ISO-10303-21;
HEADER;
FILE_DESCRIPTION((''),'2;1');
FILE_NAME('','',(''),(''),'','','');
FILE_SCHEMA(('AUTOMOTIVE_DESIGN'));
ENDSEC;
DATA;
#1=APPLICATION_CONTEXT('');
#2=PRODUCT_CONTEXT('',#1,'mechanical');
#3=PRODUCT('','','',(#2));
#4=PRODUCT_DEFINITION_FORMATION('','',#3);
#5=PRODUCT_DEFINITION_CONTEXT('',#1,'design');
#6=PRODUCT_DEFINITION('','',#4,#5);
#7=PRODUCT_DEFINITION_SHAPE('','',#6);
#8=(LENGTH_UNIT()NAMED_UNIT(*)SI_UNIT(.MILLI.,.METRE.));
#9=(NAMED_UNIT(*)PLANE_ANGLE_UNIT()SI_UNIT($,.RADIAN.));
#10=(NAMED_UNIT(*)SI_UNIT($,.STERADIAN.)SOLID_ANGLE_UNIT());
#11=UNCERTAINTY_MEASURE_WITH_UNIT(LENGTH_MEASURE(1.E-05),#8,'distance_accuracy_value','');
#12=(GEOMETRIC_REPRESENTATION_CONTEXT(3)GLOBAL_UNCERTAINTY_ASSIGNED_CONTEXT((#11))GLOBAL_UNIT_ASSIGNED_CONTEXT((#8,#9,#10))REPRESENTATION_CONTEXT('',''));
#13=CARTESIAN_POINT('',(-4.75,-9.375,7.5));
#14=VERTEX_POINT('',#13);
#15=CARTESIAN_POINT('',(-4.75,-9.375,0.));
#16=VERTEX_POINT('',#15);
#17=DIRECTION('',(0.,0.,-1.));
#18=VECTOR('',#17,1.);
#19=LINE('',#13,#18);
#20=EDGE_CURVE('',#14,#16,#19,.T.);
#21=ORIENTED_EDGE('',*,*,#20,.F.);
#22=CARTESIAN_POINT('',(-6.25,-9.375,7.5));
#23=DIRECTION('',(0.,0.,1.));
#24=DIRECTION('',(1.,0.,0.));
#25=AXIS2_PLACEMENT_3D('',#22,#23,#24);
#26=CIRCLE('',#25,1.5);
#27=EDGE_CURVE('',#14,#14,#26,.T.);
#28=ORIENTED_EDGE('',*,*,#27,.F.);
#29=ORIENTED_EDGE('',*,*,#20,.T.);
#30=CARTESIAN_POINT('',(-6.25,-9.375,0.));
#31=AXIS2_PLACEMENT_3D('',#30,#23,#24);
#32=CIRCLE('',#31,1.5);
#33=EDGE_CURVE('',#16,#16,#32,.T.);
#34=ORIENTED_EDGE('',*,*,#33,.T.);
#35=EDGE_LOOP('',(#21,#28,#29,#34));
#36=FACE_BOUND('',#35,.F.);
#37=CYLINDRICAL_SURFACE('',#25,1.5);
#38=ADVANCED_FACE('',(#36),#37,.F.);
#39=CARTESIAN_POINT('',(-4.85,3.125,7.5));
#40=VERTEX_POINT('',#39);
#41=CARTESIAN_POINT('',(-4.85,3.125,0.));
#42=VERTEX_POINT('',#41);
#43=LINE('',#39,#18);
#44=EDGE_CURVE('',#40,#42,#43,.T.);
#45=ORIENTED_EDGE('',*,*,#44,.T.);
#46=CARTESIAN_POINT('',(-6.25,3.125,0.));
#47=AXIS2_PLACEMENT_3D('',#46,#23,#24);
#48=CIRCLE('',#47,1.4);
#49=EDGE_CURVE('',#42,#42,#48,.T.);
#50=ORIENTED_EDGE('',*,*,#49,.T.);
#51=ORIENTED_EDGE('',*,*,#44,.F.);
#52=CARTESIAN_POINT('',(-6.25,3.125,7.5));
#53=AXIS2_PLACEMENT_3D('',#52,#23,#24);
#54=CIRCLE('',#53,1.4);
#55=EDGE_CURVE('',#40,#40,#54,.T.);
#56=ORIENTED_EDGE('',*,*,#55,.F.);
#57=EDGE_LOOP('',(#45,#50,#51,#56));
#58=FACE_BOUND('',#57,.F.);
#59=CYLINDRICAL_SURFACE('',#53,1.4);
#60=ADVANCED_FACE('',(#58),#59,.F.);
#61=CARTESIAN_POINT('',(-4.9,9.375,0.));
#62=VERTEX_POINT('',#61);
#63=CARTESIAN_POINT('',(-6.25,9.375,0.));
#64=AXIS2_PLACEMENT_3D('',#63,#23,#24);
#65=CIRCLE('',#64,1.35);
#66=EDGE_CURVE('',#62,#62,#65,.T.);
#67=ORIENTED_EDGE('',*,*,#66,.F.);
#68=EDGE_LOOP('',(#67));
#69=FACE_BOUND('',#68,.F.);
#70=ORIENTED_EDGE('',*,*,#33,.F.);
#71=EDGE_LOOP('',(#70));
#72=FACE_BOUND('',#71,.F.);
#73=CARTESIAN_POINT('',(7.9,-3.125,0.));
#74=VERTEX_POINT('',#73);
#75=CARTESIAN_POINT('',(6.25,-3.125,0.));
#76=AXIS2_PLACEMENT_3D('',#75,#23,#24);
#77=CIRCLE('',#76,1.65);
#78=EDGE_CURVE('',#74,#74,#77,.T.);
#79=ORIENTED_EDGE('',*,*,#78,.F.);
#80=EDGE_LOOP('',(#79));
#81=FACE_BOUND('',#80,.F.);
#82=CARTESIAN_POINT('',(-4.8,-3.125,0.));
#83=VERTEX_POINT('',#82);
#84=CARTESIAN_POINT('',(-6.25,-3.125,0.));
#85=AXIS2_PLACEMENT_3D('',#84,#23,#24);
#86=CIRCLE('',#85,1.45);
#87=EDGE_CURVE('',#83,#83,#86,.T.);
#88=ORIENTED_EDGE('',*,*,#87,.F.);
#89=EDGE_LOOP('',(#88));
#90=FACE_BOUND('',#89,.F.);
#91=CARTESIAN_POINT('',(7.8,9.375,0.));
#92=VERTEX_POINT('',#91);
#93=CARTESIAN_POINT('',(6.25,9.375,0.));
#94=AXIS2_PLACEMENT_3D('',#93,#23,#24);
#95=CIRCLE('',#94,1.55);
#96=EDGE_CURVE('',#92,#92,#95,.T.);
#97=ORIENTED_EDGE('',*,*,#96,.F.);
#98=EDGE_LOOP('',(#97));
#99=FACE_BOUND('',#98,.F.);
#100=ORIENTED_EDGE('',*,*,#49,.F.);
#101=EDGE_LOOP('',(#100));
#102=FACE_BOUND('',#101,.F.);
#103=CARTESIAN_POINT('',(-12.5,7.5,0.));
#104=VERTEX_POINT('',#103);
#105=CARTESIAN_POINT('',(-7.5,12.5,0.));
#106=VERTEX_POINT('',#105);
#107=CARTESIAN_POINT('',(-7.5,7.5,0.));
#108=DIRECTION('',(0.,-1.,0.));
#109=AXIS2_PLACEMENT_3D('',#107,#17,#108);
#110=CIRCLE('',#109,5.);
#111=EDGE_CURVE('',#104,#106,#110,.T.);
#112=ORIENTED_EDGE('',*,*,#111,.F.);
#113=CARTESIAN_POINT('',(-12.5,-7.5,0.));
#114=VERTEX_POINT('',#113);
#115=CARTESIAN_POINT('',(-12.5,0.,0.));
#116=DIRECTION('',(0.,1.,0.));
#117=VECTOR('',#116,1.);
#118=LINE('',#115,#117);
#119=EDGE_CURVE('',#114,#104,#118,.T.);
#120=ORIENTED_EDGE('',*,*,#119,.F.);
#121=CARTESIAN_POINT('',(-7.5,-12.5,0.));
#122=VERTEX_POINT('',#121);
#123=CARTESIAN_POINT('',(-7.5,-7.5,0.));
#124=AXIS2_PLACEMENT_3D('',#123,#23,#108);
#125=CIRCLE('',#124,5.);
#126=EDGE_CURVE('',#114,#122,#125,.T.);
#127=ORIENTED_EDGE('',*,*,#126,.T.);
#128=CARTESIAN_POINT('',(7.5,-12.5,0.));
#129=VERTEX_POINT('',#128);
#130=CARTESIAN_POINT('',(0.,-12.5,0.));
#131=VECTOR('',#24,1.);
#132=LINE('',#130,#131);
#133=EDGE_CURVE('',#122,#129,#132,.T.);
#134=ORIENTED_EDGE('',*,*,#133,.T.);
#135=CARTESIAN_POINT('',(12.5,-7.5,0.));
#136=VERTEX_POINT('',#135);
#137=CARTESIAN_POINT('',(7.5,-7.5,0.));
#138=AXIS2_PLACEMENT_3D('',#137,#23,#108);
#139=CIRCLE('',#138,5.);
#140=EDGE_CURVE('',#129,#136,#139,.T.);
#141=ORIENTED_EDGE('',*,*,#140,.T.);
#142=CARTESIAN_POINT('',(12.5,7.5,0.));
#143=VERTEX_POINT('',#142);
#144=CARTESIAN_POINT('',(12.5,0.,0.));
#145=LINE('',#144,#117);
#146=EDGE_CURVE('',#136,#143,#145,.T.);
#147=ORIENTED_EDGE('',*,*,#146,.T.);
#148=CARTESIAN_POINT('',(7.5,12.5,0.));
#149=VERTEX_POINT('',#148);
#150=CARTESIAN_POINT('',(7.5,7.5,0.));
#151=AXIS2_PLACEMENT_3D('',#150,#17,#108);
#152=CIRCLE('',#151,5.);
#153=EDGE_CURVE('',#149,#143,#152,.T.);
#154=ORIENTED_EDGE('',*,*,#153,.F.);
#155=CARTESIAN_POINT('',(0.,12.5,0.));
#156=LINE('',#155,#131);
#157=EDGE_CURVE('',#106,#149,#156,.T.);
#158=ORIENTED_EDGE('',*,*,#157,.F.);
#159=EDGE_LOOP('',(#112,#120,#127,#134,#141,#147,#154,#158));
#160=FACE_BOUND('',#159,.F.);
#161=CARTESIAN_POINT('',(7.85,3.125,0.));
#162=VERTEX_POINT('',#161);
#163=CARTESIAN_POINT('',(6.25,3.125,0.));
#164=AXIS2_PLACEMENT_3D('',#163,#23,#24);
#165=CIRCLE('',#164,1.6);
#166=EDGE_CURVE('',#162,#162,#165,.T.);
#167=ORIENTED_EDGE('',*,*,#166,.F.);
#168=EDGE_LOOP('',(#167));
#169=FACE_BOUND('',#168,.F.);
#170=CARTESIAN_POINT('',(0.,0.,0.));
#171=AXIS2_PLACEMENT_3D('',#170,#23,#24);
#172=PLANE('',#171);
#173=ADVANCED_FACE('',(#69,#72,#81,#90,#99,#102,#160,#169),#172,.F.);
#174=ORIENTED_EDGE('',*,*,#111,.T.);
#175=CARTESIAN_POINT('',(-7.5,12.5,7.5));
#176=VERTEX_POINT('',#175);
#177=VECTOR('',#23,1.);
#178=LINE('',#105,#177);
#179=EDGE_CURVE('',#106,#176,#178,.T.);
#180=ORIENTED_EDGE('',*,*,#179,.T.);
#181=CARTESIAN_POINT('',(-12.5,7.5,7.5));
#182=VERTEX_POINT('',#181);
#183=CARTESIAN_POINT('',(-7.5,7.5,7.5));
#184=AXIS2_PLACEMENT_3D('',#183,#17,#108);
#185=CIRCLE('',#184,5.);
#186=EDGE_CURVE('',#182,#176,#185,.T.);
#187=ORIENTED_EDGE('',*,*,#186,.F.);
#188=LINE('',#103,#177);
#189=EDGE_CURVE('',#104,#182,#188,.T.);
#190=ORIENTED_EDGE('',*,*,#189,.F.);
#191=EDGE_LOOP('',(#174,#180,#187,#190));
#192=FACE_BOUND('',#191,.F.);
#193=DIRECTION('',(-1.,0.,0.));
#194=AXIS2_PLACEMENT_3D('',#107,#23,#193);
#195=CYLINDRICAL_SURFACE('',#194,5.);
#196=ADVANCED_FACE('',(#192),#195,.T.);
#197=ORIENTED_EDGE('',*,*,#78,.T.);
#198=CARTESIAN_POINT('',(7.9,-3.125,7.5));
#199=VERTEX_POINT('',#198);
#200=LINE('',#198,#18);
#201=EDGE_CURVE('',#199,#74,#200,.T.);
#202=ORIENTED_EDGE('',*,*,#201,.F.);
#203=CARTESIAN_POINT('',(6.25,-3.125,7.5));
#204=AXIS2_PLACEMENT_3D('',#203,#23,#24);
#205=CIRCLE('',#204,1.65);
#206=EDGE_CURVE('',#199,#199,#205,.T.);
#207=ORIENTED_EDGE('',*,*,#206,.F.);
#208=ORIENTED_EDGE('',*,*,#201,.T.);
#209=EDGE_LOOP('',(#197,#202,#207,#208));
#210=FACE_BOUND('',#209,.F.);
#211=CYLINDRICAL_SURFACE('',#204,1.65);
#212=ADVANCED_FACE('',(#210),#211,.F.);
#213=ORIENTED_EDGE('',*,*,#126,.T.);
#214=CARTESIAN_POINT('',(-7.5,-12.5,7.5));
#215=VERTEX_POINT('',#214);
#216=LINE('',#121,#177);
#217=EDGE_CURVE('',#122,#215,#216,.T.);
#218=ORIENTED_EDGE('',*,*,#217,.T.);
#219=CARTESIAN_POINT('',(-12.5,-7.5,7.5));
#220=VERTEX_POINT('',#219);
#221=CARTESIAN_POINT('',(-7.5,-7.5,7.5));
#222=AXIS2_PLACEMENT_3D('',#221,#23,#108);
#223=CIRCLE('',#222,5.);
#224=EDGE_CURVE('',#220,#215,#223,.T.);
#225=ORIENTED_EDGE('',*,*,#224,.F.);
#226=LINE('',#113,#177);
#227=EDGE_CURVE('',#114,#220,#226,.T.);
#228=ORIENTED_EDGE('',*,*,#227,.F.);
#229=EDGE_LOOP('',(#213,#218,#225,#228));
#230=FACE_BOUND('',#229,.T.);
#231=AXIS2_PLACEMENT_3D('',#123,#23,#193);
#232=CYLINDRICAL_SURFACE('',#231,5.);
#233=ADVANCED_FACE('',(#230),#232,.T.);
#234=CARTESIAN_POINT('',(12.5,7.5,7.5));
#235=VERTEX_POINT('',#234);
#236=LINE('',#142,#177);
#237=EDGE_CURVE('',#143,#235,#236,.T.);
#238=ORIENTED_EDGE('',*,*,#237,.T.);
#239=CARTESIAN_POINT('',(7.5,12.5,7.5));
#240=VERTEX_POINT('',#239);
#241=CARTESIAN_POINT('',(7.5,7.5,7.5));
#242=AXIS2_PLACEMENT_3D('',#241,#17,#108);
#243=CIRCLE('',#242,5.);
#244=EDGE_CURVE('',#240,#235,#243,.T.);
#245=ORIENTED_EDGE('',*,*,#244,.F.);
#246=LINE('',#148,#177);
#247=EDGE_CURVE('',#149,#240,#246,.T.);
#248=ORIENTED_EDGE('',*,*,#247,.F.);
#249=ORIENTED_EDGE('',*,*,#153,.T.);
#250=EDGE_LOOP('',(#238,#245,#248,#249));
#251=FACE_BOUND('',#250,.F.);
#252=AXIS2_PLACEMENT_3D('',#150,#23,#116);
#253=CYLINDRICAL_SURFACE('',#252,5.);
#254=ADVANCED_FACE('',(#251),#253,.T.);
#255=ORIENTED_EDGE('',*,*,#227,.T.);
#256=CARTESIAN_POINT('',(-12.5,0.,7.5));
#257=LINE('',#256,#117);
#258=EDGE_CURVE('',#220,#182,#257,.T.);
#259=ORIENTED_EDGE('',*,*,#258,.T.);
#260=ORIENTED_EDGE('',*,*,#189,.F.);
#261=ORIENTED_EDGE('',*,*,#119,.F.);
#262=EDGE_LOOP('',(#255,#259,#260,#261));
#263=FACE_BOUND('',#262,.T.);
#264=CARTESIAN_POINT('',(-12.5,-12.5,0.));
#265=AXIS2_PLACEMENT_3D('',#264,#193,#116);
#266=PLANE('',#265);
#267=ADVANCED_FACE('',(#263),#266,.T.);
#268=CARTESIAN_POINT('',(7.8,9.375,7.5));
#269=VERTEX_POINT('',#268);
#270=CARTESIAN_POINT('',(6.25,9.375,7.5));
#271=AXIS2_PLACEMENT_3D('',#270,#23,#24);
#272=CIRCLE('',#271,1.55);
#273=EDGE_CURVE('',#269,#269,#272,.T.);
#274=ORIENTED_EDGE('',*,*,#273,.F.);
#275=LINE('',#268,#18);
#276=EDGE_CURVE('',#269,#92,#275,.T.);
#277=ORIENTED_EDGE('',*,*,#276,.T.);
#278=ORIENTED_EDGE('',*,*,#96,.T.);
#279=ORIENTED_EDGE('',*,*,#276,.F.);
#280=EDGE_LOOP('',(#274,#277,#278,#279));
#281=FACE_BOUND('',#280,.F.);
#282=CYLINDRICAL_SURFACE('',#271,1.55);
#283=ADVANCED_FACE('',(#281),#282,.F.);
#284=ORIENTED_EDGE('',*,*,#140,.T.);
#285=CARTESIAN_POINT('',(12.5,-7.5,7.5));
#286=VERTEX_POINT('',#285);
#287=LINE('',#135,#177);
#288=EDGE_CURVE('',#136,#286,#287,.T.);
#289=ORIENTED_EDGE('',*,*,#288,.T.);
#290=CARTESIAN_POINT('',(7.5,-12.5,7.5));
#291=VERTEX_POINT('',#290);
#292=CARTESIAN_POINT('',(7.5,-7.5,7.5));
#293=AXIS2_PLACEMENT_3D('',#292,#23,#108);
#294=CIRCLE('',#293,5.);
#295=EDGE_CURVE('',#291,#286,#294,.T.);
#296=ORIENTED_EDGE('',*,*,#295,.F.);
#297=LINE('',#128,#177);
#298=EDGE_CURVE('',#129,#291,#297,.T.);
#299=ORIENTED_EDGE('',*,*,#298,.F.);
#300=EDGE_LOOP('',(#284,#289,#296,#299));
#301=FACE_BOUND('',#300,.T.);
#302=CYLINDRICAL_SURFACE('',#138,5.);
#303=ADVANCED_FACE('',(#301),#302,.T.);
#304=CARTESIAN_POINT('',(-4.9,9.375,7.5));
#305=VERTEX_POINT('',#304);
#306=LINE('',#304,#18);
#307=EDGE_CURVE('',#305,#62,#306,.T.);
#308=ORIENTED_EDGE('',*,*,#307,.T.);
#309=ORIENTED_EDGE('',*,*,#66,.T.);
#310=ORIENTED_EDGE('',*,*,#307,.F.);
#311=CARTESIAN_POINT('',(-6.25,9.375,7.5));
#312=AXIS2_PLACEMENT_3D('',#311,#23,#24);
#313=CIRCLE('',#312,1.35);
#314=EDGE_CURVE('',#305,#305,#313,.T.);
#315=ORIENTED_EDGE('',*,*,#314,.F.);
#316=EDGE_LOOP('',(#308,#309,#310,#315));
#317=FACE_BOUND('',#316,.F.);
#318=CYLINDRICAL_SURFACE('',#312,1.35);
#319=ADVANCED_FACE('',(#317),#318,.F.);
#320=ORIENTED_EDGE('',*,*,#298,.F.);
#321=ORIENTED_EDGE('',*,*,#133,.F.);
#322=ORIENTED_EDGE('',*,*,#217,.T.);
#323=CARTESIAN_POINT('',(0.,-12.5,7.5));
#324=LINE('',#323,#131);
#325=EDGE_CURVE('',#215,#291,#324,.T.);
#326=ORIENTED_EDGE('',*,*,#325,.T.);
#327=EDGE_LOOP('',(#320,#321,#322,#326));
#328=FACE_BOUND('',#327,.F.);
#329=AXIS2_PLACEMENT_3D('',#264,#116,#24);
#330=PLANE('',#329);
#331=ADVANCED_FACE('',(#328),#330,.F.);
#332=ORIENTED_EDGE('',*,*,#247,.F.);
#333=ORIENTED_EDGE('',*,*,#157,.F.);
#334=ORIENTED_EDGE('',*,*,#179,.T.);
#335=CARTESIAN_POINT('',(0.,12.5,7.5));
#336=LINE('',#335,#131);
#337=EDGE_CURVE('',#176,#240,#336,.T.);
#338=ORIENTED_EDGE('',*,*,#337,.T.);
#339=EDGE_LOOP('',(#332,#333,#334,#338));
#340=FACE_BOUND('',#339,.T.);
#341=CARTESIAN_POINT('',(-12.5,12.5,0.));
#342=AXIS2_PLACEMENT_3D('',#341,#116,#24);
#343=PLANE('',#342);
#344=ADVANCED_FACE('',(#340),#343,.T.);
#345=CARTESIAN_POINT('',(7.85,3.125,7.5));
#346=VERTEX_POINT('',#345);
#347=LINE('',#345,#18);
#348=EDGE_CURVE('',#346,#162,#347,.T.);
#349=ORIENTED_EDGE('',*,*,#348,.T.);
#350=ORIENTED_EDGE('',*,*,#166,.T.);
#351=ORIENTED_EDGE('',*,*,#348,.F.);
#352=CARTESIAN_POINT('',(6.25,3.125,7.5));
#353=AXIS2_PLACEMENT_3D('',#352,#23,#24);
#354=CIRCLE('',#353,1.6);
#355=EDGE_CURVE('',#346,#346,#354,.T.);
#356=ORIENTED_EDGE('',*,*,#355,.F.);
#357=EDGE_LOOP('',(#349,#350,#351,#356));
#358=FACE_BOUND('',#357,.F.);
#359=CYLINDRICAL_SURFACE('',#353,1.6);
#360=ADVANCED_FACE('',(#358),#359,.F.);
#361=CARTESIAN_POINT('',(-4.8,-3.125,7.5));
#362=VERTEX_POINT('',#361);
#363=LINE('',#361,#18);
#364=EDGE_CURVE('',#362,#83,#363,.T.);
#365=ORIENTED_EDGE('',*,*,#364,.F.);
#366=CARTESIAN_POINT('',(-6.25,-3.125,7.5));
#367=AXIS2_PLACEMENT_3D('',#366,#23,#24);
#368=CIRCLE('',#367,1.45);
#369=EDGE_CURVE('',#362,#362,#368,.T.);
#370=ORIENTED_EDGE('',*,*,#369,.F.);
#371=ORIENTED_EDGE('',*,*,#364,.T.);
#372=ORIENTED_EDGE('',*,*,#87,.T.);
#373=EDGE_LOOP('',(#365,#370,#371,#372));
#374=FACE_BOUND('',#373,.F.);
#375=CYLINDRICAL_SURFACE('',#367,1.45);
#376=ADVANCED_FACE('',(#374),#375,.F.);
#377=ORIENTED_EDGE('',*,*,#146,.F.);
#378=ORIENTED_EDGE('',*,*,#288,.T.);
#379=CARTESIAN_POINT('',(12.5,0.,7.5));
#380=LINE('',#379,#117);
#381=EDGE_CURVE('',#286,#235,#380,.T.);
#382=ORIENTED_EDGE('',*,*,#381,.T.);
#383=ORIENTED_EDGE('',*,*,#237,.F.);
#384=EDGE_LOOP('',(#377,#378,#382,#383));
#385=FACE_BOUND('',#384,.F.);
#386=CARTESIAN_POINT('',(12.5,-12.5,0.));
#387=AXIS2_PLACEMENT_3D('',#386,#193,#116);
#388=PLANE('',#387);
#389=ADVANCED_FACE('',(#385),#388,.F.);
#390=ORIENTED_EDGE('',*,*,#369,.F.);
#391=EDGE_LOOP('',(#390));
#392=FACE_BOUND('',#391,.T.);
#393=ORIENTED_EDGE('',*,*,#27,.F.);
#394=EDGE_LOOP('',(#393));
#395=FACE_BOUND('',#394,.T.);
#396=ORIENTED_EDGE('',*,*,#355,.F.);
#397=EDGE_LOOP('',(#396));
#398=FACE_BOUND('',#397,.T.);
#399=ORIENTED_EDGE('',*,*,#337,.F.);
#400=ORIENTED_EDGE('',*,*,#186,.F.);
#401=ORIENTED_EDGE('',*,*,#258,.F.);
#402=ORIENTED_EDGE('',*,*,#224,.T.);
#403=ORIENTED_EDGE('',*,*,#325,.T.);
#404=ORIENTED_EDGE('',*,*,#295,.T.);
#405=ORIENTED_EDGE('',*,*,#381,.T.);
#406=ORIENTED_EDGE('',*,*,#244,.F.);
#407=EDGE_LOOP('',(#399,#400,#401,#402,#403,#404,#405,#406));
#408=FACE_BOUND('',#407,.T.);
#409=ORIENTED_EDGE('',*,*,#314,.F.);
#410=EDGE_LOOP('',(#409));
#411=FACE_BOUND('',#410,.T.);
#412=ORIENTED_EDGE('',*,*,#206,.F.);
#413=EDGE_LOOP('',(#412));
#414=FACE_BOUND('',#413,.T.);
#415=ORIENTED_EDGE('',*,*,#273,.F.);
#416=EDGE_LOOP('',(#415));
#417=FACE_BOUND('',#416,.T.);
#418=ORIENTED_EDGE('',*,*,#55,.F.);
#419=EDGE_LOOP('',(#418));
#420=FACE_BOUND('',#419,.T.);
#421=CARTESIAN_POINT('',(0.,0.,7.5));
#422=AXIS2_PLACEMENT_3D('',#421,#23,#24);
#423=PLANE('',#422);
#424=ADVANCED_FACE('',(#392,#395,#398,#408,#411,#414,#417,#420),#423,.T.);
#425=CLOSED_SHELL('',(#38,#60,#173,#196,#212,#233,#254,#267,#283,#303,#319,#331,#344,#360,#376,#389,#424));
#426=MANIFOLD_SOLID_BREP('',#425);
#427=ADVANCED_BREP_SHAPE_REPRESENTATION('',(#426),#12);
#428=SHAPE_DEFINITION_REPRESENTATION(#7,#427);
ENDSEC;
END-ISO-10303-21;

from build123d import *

# Parameters (mm, degrees)
F0_W     = 25
F0_H     = 25
F1_DEPTH = 7.5
F2_R     = 1.35
F2_R_2   = 1.4
F2_R_3   = 1.45
F2_R_4   = 1.5
F2_R_5   = 1.55
F2_R_6   = 1.6
F2_R_7   = 1.65
F3_DEPTH = 7.501
F4_R     = 5


with BuildPart() as f1:
    # F0 (on Top) → F1 (new body)
    with BuildSketch(Plane.XY):
        Rectangle(F0_W, F0_H)
    extrude(amount=F1_DEPTH)

    # F2 (on face) → F3 (cut, through all)
    with BuildSketch(Plane.XY.offset(7.5)):
        with Locations((-6.25, 9.375)):
            Circle(F2_R)
        with Locations((-6.25, 3.125)):
            Circle(F2_R_2)
        with Locations((-6.25, -3.125)):
            Circle(F2_R_3)
        with Locations((-6.25, -9.375)):
            Circle(F2_R_4)
        with Locations((6.25, 9.375)):
            Circle(F2_R_5)
        with Locations((6.25, 3.125)):
            Circle(F2_R_6)
        with Locations((6.25, -3.125)):
            Circle(F2_R_7)
    extrude(amount=-F3_DEPTH, mode=Mode.SUBTRACT)

    # F4
    f4_edges = [f1.edges().sort_by_distance(p)[0] for p in [
        (-12.5, 12.5, 3.75),
        (-12.5, -12.5, 3.75),
        (12.5, -12.5, 3.75),
        (12.5, 12.5, 3.75),
    ]]
    fillet(f4_edges, radius=F4_R)


solid = f1.part
